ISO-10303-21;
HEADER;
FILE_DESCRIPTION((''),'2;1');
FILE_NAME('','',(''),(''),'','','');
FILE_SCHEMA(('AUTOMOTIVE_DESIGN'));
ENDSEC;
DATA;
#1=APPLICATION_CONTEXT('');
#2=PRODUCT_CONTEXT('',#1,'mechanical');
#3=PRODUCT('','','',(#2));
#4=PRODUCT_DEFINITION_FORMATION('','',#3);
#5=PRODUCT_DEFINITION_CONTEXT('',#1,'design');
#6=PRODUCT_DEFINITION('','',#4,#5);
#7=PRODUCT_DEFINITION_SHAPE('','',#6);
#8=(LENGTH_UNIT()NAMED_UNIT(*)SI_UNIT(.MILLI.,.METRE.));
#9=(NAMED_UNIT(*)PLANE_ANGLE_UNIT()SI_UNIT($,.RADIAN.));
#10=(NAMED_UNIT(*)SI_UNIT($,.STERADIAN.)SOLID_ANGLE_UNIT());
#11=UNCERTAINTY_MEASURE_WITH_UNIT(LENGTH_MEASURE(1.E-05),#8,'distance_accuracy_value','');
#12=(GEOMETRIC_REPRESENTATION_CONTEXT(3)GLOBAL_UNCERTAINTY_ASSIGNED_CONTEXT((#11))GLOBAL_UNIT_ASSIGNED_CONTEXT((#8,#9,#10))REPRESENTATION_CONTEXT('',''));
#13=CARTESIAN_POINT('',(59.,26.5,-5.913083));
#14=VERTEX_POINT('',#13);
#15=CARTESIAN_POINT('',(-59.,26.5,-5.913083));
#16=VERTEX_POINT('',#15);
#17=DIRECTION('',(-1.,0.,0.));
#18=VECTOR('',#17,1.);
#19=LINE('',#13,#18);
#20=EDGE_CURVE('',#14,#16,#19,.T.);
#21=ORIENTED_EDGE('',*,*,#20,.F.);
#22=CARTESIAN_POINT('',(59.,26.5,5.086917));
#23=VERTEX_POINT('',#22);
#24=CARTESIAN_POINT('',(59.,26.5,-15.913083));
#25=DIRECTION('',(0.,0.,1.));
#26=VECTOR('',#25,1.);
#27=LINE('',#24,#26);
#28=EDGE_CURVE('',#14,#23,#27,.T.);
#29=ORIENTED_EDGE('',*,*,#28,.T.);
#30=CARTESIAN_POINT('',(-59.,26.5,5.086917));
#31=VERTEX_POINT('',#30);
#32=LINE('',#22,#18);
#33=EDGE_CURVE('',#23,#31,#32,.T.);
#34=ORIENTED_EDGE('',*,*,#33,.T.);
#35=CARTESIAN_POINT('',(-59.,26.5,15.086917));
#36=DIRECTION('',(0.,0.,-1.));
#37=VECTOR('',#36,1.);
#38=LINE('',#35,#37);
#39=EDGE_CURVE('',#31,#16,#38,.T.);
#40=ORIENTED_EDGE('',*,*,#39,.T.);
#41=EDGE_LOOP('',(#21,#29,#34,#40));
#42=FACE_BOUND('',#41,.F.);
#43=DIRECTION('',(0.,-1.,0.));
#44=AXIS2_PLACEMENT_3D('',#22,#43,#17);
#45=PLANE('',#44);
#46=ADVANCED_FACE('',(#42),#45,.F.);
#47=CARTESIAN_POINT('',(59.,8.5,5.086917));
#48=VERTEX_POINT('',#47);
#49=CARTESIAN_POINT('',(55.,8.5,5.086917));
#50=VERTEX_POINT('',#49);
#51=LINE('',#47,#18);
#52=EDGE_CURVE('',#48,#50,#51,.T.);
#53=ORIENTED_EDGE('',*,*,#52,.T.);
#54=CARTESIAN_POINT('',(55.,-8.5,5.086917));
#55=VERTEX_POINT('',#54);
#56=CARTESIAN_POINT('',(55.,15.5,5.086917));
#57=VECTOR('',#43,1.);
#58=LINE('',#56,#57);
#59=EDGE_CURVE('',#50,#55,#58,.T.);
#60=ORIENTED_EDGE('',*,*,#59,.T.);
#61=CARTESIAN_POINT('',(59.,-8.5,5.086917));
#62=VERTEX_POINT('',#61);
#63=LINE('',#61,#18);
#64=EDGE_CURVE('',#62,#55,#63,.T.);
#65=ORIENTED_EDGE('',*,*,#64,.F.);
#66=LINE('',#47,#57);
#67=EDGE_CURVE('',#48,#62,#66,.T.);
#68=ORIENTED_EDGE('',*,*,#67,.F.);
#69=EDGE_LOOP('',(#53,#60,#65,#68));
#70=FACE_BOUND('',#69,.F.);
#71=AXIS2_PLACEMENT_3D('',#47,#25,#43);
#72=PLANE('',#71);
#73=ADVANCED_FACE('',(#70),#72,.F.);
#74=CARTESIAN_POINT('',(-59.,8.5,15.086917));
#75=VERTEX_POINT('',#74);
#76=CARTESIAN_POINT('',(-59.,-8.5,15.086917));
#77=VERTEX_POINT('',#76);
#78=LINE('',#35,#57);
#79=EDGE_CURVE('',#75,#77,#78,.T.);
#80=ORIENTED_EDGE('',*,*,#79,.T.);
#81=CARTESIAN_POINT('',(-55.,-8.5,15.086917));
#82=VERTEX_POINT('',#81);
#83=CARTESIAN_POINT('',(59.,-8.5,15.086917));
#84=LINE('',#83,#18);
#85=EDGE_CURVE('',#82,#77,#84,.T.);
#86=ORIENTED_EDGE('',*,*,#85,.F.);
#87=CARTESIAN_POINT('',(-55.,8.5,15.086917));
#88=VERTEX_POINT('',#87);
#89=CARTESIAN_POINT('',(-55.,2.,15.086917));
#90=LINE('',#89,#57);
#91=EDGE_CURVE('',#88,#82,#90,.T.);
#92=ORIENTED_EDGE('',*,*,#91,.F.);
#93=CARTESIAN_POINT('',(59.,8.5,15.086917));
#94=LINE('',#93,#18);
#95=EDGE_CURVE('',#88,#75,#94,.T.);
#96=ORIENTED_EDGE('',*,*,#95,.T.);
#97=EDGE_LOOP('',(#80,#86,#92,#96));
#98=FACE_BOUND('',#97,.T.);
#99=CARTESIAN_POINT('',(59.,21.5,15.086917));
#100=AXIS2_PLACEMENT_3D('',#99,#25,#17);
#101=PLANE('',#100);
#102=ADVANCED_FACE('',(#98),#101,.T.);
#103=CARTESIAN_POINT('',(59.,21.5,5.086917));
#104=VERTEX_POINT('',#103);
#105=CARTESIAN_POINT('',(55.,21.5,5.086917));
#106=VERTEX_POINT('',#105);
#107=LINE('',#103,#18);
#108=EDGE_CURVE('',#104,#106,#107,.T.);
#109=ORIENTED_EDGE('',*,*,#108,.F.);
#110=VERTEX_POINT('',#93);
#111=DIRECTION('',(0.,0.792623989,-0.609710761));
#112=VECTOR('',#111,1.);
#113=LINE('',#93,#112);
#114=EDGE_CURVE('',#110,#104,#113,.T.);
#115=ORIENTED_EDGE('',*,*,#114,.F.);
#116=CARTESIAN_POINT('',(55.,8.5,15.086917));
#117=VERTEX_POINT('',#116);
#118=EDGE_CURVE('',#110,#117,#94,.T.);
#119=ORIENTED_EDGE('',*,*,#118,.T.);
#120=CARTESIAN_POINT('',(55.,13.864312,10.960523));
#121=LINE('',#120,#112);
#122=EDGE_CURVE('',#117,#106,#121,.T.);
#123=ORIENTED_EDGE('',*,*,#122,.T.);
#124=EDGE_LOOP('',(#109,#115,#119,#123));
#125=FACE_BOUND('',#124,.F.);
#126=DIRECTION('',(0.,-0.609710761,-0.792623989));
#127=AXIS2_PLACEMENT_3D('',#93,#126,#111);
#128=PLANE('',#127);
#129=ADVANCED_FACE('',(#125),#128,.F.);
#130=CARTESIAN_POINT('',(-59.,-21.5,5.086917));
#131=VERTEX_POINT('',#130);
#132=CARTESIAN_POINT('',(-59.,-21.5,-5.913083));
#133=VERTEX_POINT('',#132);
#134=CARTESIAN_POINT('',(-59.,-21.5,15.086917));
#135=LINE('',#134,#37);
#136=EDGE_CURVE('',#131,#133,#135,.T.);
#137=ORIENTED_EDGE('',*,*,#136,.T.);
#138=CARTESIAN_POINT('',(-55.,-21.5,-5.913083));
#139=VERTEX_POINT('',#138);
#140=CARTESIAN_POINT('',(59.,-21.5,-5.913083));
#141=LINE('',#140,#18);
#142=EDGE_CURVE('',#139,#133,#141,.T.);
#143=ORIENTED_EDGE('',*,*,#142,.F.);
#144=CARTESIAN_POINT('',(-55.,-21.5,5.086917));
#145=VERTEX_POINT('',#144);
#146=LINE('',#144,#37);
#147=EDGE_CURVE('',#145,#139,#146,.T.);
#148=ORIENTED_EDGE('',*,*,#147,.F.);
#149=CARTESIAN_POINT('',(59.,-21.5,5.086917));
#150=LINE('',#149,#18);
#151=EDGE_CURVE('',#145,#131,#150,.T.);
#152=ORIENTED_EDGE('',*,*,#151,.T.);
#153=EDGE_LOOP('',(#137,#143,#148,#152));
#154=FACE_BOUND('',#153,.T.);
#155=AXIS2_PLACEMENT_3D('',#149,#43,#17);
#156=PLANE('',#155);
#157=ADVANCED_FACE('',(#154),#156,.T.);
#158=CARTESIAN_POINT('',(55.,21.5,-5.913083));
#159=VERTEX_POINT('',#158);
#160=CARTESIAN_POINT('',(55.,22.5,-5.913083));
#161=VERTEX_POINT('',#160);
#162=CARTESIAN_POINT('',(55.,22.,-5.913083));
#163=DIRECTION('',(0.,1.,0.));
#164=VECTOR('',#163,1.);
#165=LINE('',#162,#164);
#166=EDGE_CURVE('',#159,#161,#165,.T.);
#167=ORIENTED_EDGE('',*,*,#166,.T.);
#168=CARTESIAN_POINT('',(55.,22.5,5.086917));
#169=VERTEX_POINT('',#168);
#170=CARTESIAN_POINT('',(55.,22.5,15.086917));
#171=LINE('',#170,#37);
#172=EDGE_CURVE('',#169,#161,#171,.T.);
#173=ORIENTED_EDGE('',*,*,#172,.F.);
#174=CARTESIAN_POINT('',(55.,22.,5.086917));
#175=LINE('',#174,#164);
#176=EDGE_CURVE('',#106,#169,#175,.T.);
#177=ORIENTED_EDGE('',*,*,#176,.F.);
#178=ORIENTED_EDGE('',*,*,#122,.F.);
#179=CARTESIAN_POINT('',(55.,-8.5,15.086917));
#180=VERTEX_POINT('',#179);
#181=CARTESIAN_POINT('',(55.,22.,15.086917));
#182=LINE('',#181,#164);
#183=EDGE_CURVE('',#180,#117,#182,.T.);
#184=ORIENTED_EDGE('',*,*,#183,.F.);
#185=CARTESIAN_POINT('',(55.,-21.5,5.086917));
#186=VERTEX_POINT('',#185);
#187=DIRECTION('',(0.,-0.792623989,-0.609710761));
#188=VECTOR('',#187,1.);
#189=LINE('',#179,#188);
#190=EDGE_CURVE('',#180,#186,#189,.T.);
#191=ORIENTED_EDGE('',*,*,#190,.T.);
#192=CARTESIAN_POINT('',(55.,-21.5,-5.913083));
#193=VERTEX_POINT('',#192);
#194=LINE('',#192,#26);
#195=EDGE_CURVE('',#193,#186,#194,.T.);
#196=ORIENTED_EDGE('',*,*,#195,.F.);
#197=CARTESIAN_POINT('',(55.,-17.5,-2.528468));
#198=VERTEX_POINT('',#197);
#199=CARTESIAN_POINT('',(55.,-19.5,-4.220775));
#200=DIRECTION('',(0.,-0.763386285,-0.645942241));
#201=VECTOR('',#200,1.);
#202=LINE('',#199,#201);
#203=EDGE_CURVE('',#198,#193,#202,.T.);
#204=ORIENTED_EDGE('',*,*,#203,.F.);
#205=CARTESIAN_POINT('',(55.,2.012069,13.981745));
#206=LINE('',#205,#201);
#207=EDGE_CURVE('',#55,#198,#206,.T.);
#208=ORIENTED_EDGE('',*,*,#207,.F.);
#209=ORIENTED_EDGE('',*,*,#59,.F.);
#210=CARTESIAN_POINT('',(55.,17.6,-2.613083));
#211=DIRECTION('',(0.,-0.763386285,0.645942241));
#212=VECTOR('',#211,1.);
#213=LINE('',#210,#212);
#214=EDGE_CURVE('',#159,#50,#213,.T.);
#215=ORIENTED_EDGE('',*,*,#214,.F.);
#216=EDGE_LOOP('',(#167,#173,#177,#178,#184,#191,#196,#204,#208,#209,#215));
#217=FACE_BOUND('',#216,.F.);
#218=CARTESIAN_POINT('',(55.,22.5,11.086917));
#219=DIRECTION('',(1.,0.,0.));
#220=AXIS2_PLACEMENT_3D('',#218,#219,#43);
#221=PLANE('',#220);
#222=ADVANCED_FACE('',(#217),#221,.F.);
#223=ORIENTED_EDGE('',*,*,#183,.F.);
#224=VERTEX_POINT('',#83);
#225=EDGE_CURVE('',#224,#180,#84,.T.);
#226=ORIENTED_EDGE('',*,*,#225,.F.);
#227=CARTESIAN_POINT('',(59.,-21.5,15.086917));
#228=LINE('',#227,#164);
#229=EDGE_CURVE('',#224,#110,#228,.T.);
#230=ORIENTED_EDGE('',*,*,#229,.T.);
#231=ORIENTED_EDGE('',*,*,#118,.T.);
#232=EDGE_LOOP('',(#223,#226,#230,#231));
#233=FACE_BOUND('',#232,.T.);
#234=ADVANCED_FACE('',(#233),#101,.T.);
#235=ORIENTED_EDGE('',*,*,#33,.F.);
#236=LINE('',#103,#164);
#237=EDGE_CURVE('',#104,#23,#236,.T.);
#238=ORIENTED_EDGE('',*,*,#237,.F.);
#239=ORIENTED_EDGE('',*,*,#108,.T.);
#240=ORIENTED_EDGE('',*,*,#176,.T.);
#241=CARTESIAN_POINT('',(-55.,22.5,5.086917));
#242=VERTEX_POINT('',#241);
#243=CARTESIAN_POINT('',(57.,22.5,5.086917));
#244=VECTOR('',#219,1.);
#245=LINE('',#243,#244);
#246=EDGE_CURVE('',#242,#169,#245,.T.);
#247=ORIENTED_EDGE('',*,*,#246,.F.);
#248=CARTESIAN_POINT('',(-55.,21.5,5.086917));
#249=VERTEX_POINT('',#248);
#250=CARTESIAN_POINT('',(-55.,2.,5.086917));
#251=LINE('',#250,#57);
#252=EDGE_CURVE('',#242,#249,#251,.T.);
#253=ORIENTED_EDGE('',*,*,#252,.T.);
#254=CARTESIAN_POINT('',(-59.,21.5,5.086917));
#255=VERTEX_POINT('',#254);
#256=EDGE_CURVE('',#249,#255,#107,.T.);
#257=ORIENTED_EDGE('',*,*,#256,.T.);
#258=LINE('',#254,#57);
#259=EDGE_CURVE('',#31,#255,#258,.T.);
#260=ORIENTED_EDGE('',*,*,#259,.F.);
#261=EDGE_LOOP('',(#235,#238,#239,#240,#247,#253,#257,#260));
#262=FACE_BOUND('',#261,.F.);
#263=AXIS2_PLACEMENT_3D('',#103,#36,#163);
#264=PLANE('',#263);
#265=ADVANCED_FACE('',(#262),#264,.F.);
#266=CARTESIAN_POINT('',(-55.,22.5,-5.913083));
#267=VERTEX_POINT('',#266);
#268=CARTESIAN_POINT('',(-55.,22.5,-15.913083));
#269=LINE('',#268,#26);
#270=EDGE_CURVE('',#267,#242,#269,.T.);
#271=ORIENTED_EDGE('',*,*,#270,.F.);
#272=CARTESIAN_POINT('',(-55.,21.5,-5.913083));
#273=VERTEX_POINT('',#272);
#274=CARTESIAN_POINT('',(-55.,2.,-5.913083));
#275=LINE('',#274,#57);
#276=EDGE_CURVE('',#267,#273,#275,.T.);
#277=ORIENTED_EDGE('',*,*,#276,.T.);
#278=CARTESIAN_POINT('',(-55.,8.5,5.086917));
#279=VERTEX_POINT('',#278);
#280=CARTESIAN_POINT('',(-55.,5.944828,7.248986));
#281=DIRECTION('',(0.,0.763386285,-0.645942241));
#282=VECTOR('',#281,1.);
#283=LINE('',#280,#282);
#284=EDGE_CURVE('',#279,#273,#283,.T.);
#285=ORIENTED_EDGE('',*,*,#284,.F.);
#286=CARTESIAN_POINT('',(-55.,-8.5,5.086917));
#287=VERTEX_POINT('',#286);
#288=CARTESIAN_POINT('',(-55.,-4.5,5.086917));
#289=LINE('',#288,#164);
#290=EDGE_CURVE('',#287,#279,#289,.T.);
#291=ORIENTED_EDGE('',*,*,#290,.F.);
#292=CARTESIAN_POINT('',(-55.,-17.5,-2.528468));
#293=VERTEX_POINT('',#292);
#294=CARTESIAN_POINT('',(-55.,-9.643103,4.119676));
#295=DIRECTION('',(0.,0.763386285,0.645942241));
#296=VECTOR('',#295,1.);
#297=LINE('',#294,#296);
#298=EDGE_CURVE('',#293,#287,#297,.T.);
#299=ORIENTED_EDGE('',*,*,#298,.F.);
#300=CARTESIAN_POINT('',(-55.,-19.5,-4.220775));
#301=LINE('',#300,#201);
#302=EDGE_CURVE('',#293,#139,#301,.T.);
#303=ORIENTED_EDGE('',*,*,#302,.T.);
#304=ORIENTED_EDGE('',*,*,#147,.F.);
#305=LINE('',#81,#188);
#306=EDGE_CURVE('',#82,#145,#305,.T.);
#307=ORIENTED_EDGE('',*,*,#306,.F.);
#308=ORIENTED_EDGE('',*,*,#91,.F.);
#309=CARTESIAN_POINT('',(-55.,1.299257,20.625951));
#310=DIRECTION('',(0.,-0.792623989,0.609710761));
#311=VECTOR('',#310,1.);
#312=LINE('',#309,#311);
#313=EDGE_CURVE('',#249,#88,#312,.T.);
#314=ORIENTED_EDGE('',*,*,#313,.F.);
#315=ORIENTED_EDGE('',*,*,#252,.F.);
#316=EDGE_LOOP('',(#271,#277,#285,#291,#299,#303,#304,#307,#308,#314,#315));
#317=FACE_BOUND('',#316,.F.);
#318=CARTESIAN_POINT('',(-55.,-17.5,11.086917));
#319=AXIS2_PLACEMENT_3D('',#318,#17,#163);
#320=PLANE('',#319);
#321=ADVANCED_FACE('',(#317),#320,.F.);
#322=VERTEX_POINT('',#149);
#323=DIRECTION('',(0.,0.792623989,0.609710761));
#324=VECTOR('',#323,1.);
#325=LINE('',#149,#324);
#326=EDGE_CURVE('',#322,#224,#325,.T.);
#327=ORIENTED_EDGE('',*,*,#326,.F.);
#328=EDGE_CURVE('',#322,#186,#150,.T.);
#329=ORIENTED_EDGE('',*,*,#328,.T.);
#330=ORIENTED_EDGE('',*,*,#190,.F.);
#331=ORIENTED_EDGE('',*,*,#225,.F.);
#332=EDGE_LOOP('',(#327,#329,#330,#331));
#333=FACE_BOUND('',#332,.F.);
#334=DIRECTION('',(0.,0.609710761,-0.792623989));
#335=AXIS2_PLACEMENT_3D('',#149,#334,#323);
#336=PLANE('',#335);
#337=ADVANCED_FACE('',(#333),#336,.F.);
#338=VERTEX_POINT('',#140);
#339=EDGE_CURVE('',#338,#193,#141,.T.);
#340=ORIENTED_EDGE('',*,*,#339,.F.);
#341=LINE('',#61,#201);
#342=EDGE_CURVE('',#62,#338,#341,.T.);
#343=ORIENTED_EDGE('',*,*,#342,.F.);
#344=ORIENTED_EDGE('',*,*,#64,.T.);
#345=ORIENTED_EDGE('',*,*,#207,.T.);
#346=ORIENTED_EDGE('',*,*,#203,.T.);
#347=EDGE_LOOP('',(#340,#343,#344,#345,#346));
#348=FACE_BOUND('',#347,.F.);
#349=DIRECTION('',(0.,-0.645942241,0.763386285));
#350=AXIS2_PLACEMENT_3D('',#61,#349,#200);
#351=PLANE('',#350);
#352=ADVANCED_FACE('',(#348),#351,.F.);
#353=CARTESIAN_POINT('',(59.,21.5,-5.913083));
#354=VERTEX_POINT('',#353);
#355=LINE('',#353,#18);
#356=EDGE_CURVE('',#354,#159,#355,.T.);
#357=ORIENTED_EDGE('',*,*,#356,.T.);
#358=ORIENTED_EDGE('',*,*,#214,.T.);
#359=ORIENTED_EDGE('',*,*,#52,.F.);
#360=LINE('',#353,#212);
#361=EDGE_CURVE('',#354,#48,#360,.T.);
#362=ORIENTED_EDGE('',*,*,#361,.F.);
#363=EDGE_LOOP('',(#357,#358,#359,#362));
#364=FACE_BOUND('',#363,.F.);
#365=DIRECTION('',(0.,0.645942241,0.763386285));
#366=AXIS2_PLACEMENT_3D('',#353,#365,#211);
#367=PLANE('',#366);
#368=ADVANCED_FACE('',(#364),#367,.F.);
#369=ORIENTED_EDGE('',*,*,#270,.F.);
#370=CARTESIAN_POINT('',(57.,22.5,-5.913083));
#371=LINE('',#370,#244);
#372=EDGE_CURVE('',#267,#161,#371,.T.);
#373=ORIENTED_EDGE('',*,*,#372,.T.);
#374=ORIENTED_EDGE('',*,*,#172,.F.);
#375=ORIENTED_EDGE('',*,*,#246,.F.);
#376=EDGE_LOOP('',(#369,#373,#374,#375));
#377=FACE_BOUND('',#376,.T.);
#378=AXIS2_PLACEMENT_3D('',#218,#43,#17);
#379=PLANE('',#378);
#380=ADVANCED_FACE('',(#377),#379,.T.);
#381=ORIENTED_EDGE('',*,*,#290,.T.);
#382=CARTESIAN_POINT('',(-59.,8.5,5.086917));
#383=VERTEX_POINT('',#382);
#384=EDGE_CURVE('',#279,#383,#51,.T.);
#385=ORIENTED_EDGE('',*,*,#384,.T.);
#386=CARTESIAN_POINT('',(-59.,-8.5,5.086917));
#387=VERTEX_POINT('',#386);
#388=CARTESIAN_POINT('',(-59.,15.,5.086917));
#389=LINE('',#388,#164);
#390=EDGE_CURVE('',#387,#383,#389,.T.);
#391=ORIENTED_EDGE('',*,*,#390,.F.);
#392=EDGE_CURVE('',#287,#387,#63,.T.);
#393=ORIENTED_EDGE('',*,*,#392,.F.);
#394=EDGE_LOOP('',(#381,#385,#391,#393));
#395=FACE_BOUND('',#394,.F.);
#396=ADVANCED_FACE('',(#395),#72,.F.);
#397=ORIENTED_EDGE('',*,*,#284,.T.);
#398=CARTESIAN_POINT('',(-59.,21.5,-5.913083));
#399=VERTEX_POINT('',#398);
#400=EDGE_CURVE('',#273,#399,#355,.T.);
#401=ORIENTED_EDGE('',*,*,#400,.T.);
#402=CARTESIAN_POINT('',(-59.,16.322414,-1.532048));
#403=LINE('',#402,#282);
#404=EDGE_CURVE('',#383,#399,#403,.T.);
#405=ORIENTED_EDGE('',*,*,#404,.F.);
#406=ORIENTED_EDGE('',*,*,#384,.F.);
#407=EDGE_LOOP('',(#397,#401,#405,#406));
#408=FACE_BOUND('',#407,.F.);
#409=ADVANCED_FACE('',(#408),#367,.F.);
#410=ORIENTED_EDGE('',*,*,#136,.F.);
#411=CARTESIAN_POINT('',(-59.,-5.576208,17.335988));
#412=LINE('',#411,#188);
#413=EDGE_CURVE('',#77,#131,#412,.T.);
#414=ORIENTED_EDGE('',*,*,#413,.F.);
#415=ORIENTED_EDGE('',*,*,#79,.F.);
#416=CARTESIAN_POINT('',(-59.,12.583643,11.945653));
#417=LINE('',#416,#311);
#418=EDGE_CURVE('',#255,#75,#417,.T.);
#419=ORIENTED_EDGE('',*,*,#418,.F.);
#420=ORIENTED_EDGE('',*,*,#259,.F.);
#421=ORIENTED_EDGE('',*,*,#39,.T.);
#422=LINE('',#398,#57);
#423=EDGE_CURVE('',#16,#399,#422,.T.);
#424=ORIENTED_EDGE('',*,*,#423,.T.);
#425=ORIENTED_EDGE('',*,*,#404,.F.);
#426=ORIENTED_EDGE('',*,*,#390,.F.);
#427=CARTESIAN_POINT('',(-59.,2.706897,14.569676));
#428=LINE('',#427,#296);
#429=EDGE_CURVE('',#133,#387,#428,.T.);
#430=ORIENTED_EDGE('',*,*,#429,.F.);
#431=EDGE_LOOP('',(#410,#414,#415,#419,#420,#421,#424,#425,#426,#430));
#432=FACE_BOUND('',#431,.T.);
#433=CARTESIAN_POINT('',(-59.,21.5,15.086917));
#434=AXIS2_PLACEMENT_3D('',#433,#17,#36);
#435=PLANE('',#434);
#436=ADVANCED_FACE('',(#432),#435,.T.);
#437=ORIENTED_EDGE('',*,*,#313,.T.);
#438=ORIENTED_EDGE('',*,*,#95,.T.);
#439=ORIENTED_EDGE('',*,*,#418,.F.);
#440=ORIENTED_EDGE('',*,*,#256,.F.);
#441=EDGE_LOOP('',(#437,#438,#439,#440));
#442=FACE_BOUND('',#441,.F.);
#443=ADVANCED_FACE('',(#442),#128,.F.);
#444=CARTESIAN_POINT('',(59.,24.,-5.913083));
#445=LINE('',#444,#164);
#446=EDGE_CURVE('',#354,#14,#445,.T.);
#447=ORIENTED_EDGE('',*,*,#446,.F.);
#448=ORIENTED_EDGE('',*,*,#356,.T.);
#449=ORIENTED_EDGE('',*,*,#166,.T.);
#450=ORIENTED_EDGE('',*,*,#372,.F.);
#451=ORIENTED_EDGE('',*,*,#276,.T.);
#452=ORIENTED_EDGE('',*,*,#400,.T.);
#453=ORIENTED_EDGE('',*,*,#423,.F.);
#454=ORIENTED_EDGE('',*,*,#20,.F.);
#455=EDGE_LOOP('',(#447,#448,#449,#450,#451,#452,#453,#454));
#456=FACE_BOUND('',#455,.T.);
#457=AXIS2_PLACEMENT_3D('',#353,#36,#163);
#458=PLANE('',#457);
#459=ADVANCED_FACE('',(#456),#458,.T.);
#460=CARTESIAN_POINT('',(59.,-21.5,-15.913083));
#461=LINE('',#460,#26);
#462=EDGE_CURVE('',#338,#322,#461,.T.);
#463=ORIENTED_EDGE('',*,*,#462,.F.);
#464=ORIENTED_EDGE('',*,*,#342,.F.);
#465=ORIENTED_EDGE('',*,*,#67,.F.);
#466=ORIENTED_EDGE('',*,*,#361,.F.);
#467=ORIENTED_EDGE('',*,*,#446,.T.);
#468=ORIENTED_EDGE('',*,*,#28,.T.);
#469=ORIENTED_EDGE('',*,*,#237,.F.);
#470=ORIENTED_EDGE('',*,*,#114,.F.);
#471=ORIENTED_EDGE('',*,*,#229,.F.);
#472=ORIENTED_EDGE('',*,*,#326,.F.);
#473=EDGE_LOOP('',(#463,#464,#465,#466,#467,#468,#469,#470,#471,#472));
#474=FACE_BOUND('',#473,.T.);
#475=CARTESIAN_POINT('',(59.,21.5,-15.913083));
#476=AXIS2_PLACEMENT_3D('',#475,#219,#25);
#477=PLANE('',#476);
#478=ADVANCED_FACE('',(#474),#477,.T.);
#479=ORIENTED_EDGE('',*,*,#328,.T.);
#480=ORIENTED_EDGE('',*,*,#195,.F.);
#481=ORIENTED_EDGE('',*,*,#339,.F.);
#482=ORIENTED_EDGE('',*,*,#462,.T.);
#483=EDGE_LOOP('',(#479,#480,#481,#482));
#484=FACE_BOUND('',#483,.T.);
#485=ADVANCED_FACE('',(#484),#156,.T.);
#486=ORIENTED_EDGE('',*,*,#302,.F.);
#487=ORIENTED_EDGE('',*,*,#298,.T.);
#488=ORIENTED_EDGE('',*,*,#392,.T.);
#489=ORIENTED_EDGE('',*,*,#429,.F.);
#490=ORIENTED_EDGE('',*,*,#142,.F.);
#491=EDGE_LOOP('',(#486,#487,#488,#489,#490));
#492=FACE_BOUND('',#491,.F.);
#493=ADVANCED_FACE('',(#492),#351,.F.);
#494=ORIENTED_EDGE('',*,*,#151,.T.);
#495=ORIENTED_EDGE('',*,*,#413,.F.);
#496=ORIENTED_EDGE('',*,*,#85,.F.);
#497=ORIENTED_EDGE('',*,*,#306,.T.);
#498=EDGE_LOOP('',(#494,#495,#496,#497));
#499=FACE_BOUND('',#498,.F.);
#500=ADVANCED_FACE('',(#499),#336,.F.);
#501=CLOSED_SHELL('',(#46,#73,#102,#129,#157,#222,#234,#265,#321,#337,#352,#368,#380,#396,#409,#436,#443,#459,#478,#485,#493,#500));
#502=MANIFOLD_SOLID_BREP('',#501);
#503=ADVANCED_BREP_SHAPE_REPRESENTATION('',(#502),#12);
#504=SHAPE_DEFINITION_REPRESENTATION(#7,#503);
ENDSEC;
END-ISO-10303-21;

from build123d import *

# Parameters (mm, degrees)
F0_W      = 110
F0_H      = 44
F1_DEPTH  = 21
F4_W      = 43
F4_H      = 21
F5_DEPTH  = 118
F6_DEPTH  = 10
F7_DEPTH  = 5
F9_T      = -4
F10_DEPTH = 25.4
F8_W      = 5
F8_H      = 10
F11_DEPTH = 254
F12_DEPTH = 25.4
F13_W     = 110
F13_H     = 5.2398111895
F14_DEPTH = 25.4


with BuildPart() as f1:
    # F0 (on Top) → F1 (new body)
    with BuildSketch(Plane.XY):
        Rectangle(F0_W, F0_H)
    extrude(amount=F1_DEPTH)


with BuildPart() as f5:
    # F4 (on offset) → F5 (new body)
    with BuildSketch(Plane.YZ.offset(59)):
        with Locations((0, -5.4130828939)):
            Rectangle(F4_W, F4_H)
    extrude(amount=-F5_DEPTH)

    # F6 (add): a face of the model
    f6_faces = [f5.faces().sort_by_distance(p)[0] for p in [
        (0, 0, 5.0869171061),
    ]]
    extrude(f6_faces, amount=F6_DEPTH)

    # F7 (add): a face of the model
    f7_faces = [f5.faces().sort_by_distance(p)[0] for p in [
        (0, 21.5, -0.4130828939),
    ]]
    extrude(f7_faces, amount=F7_DEPTH)

    # F9
    f9_openings = [f5.faces().sort_by_distance(p)[0] for p in [
        (0, 2.5, -15.913083),
    ]]
    offset(amount=F9_T, openings=f9_openings)

    # F10 (cut): a face of the model
    f10_faces = [f5.faces().sort_by_distance(p)[0] for p in [
        (0, 2.5, 11.0869171061),
    ]]
    extrude(f10_faces, amount=-F10_DEPTH, mode=Mode.SUBTRACT)

    # F8 (on face) → F11 (cut)
    with BuildSketch(Plane.YZ.offset(59)):
        Polygon((0, 5.0869171061), (0, -5.9130828939), (21.5, -5.9130828939), (8.5, 5.0869171061), align=None)
        Polygon((-21.5, -5.9130828939), (-21.5, -15.9130828939), (21.5, -15.9130828939), (21.5, -5.9130828939), (0, -5.9130828939), align=None)
        with Locations((24, -10.9130828939)):
            Rectangle(F8_W, F8_H)
        Polygon((26.5, 15.0869171061), (8.5, 15.0869171061), (21.5, 5.0869171061), (26.5, 5.0869171061), align=None)
        Polygon((-8.5, 5.0869171061), (-21.5, -5.9130828939), (0, -5.9130828939), (0, 5.0869171061), align=None)
        Polygon((-21.5, 15.0869171061), (-21.5, 5.0869171061), (-8.5, 15.0869171061), align=None)
    extrude(amount=-F11_DEPTH, mode=Mode.SUBTRACT)

    # F12 (cut): a face of the model
    f12_faces = [f5.faces().sort_by_distance(p)[0] for p in [
        (0, -17.5, 2.8176863368),
    ]]
    extrude(f12_faces, amount=-F12_DEPTH, mode=Mode.SUBTRACT)

    # F13 (on face) → F14 (cut)
    with BuildSketch(Plane(origin=(0, -6.0549280902, 7.1558241066), x_dir=(1, 0, 0), z_dir=(0, 0.6459422415, -0.7633862854))):
        with Locations((0, 17.6124095592)):
            Rectangle(F13_W, F13_H)
    extrude(amount=-F14_DEPTH, mode=Mode.SUBTRACT)


solid = f5.part
